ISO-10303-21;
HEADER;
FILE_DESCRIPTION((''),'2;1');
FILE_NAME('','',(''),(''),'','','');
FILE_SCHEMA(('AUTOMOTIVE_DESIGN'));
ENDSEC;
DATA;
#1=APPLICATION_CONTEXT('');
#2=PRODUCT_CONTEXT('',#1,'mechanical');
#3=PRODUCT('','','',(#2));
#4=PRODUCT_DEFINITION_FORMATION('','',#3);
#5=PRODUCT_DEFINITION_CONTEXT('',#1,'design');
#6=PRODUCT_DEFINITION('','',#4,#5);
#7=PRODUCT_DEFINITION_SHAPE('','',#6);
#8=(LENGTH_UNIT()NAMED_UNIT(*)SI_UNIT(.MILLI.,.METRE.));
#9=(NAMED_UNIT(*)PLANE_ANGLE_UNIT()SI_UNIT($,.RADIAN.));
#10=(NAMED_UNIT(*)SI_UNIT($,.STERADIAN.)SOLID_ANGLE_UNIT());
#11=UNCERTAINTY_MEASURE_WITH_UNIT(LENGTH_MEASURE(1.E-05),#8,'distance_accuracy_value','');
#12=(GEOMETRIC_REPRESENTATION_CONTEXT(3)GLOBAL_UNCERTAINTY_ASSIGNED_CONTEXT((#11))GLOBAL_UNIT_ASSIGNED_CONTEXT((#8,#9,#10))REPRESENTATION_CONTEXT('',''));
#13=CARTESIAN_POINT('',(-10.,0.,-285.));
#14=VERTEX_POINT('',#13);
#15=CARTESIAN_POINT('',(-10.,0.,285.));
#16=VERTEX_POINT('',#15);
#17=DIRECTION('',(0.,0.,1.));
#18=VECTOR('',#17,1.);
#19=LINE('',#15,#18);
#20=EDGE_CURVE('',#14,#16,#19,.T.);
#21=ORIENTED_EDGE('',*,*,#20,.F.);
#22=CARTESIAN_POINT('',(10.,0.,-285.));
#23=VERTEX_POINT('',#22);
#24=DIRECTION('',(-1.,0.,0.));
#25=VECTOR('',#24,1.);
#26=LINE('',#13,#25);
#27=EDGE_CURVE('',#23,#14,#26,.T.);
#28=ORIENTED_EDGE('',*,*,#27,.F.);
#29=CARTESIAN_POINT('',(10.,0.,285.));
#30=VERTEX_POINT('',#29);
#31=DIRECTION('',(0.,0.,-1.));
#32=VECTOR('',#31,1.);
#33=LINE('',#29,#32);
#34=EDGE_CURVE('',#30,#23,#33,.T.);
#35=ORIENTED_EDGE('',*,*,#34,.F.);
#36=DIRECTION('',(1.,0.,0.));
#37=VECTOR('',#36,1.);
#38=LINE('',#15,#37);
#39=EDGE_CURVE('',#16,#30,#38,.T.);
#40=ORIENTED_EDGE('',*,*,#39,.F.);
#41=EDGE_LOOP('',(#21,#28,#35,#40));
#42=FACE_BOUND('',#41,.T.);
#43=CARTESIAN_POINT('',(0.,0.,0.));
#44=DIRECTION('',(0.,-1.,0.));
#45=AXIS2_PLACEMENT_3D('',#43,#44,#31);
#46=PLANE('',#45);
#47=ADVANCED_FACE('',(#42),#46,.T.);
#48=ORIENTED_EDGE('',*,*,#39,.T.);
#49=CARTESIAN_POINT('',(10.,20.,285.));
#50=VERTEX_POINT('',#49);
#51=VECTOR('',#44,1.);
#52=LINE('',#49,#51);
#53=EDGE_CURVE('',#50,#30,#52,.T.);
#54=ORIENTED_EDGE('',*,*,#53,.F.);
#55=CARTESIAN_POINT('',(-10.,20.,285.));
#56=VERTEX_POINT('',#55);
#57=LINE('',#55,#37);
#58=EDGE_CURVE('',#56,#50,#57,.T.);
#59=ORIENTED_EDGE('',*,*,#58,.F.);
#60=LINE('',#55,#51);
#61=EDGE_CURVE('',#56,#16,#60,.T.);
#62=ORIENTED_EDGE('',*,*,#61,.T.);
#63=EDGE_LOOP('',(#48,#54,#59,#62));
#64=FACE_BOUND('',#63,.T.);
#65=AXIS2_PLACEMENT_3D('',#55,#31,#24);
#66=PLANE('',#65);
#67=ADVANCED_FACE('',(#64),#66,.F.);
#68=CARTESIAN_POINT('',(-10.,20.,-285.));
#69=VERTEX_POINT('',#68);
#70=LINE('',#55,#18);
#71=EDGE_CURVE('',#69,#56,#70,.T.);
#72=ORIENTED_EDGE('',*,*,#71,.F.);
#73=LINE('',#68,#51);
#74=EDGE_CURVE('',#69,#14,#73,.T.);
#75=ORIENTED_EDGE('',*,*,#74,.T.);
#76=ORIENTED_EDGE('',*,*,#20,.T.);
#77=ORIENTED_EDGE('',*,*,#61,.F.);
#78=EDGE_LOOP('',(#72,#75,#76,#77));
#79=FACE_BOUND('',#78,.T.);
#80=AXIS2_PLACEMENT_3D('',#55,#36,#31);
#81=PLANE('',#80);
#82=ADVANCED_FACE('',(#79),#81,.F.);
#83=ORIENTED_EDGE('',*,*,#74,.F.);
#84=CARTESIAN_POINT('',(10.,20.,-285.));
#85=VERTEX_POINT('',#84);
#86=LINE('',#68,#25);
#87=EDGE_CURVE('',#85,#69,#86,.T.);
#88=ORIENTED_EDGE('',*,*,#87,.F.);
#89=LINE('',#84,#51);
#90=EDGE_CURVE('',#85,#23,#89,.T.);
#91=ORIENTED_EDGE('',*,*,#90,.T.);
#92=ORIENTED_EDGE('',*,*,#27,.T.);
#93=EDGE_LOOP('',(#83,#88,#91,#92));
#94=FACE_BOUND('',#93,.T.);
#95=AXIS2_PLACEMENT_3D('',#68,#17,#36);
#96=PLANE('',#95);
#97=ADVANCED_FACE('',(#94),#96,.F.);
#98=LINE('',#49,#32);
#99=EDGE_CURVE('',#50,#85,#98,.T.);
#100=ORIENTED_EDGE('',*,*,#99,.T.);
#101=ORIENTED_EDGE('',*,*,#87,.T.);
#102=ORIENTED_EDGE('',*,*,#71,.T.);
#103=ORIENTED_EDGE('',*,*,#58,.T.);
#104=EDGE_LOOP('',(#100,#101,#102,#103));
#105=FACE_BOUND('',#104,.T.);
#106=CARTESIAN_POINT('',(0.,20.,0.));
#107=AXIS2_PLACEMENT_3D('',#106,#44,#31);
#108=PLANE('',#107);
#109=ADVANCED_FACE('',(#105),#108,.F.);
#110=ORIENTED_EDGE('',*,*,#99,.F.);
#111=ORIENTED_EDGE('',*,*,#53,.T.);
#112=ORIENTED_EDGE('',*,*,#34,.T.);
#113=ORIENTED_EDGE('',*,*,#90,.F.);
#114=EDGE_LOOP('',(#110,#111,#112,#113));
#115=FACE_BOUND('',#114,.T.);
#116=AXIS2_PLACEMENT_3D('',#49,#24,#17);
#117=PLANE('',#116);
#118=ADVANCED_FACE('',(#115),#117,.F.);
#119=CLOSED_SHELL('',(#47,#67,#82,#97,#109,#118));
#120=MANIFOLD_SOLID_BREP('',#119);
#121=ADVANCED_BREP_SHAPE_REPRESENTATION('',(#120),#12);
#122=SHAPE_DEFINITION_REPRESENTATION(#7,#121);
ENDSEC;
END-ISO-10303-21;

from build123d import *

# Parameters (mm, degrees)
SKETCH1_W      = 20
SKETCH1_H      = 570
EXTRUDE1_DEPTH = 20


with BuildPart() as part:
    # Sketch1 → Extrude1 (new body)
    with BuildSketch(Plane(origin=(0, 0, 0), x_dir=(1, 0, 0), z_dir=(0, 1, 0))):
        Rectangle(SKETCH1_W, SKETCH1_H)
    extrude(amount=EXTRUDE1_DEPTH)


solid = part.part
